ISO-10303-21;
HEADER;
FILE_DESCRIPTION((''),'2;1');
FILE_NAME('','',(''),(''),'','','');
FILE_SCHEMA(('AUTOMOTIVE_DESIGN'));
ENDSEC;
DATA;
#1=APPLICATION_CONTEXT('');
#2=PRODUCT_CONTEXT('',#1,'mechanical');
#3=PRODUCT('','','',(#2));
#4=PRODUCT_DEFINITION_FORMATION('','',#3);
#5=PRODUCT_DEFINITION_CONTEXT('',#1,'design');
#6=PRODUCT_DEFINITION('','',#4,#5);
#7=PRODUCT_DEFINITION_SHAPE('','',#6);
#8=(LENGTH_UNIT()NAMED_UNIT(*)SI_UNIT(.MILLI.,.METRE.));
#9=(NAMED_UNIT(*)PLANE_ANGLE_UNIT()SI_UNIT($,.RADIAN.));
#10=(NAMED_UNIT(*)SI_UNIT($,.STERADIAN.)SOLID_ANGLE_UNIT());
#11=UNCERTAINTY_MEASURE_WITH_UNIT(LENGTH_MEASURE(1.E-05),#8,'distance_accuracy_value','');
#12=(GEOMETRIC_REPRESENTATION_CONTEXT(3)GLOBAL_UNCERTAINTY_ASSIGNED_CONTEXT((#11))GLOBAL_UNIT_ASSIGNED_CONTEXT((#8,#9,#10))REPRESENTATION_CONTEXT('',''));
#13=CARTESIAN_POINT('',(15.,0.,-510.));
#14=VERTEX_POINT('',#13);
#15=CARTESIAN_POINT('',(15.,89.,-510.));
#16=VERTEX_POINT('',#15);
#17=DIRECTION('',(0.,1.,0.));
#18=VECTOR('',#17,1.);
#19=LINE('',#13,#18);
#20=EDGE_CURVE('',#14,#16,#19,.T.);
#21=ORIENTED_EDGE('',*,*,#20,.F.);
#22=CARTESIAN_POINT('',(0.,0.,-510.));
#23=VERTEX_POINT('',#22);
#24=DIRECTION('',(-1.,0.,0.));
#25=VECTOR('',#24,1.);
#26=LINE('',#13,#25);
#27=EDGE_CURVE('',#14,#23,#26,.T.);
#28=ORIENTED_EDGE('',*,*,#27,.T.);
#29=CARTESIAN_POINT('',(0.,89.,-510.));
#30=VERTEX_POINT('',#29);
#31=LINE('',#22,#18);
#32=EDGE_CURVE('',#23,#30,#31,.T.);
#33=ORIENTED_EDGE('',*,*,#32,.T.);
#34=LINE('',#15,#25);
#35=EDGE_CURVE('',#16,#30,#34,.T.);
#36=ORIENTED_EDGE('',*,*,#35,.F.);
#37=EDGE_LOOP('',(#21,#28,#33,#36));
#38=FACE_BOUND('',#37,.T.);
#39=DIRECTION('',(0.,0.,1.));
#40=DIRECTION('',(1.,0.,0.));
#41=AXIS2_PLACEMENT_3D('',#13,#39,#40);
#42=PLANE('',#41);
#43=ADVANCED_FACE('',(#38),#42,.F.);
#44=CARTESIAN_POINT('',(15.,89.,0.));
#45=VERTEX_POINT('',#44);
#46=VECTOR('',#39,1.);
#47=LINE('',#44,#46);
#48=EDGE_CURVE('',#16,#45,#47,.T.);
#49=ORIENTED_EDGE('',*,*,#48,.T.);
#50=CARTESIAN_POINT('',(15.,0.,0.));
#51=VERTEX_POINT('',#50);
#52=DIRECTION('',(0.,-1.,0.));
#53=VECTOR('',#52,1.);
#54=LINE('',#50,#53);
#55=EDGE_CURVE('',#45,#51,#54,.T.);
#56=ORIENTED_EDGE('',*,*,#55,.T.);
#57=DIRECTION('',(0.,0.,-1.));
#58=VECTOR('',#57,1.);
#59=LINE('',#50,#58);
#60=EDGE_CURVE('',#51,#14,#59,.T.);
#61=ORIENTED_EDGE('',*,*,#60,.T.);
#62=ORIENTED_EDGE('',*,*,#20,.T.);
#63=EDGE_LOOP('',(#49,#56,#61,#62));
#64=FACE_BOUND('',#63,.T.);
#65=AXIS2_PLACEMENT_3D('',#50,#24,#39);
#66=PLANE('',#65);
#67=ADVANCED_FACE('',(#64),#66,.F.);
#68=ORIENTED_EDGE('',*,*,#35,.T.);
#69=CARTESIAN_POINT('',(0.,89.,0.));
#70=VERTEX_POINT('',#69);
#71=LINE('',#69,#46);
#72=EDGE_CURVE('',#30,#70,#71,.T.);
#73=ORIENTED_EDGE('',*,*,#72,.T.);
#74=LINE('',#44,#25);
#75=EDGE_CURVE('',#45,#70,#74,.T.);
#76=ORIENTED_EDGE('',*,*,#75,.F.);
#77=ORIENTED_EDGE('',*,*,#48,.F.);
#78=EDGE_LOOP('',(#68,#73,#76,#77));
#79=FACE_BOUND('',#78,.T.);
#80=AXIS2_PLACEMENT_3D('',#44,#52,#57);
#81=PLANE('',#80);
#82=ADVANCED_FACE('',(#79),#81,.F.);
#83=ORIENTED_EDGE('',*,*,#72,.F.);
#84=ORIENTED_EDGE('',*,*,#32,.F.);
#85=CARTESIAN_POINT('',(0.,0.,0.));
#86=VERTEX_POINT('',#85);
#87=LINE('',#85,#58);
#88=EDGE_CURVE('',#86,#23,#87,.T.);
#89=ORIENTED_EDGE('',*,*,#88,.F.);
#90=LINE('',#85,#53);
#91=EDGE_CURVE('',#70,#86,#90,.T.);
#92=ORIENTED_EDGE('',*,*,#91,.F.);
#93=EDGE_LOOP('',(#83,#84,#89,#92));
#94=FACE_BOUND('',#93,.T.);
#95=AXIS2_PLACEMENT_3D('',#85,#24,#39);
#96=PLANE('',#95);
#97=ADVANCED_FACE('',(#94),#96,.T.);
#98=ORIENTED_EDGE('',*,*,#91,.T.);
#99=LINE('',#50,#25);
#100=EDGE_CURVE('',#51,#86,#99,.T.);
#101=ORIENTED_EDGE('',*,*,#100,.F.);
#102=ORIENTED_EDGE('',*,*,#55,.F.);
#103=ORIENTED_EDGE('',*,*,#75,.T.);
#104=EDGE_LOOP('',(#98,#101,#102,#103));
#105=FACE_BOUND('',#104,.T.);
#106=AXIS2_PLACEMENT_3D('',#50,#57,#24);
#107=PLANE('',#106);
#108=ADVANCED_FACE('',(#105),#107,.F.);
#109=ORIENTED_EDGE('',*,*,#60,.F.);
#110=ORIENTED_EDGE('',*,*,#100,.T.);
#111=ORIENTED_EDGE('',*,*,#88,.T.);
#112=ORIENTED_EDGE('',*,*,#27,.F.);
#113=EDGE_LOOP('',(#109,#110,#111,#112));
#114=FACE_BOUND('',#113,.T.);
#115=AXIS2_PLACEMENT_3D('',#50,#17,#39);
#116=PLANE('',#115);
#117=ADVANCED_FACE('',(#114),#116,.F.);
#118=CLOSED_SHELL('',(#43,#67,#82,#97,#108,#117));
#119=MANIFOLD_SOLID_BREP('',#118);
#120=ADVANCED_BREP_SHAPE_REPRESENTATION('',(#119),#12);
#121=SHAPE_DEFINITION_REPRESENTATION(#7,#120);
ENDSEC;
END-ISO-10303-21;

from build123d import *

# Parameters (mm, degrees)
CROQUIS1_W              = 510
CROQUIS1_H              = 89
SALIENTE_EXTRUIR1_DEPTH = 15


with BuildPart() as part:
    # Croquis1 → Saliente-Extruir1 (new body)
    with BuildSketch(Plane(origin=(0, 0, 0), x_dir=(0, 0, -1), z_dir=(1, 0, 0))):
        with Locations((255, 44.5)):
            Rectangle(CROQUIS1_W, CROQUIS1_H)
    extrude(amount=SALIENTE_EXTRUIR1_DEPTH)


solid = part.part
